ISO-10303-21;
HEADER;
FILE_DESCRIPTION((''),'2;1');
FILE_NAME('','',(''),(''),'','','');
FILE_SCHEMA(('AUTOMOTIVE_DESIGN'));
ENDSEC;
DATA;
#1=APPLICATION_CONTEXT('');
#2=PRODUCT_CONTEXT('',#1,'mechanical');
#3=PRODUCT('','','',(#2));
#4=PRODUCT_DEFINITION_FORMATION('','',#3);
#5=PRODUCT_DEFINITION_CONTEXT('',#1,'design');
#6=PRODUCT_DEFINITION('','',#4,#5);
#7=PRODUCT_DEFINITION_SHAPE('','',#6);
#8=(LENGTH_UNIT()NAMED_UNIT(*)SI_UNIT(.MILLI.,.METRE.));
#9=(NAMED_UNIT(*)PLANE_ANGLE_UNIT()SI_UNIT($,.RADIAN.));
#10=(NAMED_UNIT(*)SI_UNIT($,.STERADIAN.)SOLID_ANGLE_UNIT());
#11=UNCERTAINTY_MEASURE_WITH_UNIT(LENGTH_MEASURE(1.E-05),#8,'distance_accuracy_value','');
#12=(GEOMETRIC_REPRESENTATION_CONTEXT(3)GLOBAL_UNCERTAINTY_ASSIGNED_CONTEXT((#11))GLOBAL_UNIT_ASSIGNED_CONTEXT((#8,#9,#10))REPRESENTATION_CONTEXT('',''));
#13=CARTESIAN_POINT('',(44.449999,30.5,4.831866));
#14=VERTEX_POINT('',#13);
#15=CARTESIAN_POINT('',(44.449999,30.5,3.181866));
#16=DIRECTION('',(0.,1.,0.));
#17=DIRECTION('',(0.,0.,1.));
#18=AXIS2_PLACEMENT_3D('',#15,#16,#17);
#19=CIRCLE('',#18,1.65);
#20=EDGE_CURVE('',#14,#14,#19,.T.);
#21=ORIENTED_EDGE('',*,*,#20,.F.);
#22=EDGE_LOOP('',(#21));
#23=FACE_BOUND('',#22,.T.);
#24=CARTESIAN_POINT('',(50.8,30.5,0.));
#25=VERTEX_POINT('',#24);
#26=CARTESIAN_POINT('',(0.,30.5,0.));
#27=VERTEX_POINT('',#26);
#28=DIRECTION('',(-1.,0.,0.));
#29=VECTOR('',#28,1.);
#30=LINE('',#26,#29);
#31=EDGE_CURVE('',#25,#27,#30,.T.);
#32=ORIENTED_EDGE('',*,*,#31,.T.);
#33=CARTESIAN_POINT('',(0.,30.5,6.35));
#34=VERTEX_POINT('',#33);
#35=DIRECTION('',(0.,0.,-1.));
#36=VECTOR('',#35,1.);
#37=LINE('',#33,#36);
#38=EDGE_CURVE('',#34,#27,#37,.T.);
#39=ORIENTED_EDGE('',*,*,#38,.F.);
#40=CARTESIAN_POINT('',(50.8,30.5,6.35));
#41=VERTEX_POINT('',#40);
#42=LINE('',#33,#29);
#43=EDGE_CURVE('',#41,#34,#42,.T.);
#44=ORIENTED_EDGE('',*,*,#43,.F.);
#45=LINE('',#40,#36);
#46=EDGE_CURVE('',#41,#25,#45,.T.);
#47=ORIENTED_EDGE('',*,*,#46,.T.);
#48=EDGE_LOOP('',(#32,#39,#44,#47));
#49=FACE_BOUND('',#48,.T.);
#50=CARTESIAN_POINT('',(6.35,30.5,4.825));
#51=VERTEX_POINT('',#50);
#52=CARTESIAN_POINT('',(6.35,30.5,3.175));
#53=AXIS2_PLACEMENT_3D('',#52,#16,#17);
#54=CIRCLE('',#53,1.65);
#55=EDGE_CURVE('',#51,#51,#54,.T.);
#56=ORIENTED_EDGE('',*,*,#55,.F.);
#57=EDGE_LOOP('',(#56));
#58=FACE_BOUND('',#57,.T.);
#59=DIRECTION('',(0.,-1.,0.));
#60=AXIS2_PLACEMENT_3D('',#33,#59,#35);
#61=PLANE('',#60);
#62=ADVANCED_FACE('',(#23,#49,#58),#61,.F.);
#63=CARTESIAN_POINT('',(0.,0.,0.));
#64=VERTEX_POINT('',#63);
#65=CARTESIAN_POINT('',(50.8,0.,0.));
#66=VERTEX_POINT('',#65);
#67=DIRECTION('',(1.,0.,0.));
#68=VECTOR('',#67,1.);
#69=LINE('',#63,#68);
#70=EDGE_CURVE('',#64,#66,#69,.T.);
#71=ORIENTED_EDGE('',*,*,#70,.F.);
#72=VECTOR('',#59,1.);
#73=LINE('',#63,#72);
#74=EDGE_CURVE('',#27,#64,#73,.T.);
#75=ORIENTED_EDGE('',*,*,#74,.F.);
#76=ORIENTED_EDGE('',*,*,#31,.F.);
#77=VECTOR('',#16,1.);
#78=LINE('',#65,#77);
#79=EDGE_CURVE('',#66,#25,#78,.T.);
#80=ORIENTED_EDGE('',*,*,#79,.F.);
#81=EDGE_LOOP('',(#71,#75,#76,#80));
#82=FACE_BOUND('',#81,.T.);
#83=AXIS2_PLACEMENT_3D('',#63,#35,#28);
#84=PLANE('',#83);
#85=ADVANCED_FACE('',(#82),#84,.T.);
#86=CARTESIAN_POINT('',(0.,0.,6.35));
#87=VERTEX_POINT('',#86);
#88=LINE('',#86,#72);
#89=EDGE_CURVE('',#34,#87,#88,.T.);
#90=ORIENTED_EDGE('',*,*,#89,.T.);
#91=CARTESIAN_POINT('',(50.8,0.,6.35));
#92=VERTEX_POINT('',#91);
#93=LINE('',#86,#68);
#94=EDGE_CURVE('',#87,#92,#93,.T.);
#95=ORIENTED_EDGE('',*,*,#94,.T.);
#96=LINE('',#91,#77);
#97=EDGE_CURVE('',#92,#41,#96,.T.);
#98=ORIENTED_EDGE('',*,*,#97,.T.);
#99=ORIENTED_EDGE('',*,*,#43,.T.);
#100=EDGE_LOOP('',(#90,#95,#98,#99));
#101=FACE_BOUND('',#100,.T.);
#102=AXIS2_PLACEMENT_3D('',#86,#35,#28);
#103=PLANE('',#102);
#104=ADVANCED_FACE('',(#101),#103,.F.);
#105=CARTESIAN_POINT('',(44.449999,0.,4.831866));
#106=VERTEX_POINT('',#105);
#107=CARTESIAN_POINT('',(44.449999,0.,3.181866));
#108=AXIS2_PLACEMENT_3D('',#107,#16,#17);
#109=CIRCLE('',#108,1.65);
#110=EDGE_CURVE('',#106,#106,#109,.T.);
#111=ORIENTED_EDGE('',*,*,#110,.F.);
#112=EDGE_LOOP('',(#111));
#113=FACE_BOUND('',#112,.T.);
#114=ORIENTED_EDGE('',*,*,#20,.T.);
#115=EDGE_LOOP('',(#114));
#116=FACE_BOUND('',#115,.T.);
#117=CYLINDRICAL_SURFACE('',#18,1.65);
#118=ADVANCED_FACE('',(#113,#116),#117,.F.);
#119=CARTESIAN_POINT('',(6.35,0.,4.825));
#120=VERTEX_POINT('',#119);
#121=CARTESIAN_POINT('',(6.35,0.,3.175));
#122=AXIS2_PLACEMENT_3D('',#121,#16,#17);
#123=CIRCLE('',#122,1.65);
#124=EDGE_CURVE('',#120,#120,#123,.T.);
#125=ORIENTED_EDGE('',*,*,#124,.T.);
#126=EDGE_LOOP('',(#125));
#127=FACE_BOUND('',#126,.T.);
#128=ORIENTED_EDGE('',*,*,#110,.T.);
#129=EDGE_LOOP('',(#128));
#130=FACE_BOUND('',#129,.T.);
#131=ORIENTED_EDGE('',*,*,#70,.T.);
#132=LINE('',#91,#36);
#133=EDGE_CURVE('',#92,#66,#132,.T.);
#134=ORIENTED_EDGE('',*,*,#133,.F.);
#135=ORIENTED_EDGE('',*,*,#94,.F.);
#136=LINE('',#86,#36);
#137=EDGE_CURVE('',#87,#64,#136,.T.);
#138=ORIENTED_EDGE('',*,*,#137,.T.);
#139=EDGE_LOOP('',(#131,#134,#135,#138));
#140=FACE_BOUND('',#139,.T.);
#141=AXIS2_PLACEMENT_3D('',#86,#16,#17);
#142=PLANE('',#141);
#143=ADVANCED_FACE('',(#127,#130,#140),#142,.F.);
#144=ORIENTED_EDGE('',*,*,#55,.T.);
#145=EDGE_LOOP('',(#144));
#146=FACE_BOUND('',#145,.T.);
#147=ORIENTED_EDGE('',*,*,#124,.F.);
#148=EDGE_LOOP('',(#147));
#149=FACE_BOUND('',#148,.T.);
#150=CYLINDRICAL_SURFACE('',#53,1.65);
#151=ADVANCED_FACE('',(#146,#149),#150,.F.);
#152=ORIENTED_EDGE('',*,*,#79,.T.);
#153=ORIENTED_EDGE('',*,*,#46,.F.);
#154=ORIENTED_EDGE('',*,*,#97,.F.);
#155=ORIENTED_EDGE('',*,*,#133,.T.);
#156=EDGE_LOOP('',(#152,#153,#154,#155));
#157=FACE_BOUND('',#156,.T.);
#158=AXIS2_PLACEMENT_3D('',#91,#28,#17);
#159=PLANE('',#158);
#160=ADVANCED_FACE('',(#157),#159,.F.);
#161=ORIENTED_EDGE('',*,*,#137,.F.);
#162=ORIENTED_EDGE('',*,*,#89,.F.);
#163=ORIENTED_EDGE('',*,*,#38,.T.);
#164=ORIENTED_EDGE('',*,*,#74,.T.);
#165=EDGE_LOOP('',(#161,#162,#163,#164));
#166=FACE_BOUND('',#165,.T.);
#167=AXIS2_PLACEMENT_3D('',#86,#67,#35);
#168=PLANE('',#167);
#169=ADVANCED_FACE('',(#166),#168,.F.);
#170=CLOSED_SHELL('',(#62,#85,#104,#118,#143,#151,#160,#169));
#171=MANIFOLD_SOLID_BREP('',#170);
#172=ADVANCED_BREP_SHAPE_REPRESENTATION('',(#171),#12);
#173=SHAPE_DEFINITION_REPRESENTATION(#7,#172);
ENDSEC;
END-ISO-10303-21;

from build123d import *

# Parameters (mm, degrees)
SKETCH1_W             = 50.8
SKETCH1_H             = 30.5
BOSS_EXTRUDE1_DEPTH   = 6.35
M4X0_7_TAPPED_HOLE1_D = 3.3


with BuildPart() as part:
    # Sketch1 → Boss-Extrude1 (new body)
    with BuildSketch(Plane.XY):
        with Locations((25.4, 15.25)):
            Rectangle(SKETCH1_W, SKETCH1_H)
    extrude(amount=BOSS_EXTRUDE1_DEPTH)

    # M4x0.7 Tapped Hole1 (through all)
    with Locations(Plane(origin=(0, 30.5, 0), x_dir=(1, 0, 0), z_dir=(0, 1, 0))):
        with Locations((6.35, -3.175), (44.449999381, -3.181866345)):
            Hole(M4X0_7_TAPPED_HOLE1_D / 2)


solid = part.part
